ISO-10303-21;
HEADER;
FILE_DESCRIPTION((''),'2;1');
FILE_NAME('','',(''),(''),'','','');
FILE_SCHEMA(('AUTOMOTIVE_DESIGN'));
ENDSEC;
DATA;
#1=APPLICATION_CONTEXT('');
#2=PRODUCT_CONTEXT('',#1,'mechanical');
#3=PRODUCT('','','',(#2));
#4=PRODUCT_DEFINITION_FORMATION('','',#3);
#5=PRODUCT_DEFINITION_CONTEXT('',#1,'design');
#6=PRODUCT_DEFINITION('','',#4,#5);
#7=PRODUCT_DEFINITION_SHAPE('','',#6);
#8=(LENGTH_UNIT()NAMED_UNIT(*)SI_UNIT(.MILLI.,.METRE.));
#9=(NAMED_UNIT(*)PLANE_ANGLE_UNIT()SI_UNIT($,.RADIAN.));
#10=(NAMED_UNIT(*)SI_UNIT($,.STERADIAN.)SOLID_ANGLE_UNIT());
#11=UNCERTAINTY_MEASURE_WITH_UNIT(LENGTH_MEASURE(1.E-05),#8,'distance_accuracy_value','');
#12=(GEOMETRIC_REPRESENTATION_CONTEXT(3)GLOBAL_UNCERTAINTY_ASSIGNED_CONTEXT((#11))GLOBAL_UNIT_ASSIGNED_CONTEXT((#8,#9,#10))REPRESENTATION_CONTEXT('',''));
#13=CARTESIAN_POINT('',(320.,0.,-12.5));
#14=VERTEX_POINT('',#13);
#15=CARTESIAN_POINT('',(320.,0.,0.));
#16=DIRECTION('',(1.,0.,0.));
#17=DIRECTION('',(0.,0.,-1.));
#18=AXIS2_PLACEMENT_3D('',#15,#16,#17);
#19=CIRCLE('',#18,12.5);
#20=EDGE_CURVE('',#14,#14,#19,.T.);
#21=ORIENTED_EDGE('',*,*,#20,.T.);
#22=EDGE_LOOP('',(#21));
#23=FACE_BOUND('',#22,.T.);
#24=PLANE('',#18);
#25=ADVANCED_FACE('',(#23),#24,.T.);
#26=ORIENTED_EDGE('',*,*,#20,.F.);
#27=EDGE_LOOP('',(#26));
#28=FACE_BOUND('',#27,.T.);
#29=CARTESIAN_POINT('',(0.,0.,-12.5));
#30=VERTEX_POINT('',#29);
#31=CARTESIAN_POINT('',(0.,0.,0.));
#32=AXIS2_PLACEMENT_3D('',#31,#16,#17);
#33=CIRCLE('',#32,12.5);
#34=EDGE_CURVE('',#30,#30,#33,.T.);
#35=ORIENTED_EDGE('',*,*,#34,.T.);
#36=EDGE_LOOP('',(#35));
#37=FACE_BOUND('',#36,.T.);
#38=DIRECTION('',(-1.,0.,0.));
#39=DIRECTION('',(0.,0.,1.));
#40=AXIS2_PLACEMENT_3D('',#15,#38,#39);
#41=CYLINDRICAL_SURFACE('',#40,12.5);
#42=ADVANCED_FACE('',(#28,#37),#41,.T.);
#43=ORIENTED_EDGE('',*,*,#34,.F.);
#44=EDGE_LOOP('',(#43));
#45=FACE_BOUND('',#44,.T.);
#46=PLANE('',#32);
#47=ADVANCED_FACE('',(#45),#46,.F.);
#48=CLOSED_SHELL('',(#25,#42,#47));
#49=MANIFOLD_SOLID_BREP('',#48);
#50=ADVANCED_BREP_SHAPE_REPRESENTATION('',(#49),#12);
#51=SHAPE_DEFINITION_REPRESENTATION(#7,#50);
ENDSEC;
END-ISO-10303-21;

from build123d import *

# Parameters (mm, degrees)
SKETCH_1_R      = 12.5
EXTRUDE_1_DEPTH = 320


with BuildPart() as part:
    # 草图1 → 凸台-拉伸1 (new body)
    with BuildSketch(Plane(origin=(0, 0, 0), x_dir=(0, 0, -1), z_dir=(1, 0, 0))):
        Circle(SKETCH_1_R)
    extrude(amount=EXTRUDE_1_DEPTH)


solid = part.part
